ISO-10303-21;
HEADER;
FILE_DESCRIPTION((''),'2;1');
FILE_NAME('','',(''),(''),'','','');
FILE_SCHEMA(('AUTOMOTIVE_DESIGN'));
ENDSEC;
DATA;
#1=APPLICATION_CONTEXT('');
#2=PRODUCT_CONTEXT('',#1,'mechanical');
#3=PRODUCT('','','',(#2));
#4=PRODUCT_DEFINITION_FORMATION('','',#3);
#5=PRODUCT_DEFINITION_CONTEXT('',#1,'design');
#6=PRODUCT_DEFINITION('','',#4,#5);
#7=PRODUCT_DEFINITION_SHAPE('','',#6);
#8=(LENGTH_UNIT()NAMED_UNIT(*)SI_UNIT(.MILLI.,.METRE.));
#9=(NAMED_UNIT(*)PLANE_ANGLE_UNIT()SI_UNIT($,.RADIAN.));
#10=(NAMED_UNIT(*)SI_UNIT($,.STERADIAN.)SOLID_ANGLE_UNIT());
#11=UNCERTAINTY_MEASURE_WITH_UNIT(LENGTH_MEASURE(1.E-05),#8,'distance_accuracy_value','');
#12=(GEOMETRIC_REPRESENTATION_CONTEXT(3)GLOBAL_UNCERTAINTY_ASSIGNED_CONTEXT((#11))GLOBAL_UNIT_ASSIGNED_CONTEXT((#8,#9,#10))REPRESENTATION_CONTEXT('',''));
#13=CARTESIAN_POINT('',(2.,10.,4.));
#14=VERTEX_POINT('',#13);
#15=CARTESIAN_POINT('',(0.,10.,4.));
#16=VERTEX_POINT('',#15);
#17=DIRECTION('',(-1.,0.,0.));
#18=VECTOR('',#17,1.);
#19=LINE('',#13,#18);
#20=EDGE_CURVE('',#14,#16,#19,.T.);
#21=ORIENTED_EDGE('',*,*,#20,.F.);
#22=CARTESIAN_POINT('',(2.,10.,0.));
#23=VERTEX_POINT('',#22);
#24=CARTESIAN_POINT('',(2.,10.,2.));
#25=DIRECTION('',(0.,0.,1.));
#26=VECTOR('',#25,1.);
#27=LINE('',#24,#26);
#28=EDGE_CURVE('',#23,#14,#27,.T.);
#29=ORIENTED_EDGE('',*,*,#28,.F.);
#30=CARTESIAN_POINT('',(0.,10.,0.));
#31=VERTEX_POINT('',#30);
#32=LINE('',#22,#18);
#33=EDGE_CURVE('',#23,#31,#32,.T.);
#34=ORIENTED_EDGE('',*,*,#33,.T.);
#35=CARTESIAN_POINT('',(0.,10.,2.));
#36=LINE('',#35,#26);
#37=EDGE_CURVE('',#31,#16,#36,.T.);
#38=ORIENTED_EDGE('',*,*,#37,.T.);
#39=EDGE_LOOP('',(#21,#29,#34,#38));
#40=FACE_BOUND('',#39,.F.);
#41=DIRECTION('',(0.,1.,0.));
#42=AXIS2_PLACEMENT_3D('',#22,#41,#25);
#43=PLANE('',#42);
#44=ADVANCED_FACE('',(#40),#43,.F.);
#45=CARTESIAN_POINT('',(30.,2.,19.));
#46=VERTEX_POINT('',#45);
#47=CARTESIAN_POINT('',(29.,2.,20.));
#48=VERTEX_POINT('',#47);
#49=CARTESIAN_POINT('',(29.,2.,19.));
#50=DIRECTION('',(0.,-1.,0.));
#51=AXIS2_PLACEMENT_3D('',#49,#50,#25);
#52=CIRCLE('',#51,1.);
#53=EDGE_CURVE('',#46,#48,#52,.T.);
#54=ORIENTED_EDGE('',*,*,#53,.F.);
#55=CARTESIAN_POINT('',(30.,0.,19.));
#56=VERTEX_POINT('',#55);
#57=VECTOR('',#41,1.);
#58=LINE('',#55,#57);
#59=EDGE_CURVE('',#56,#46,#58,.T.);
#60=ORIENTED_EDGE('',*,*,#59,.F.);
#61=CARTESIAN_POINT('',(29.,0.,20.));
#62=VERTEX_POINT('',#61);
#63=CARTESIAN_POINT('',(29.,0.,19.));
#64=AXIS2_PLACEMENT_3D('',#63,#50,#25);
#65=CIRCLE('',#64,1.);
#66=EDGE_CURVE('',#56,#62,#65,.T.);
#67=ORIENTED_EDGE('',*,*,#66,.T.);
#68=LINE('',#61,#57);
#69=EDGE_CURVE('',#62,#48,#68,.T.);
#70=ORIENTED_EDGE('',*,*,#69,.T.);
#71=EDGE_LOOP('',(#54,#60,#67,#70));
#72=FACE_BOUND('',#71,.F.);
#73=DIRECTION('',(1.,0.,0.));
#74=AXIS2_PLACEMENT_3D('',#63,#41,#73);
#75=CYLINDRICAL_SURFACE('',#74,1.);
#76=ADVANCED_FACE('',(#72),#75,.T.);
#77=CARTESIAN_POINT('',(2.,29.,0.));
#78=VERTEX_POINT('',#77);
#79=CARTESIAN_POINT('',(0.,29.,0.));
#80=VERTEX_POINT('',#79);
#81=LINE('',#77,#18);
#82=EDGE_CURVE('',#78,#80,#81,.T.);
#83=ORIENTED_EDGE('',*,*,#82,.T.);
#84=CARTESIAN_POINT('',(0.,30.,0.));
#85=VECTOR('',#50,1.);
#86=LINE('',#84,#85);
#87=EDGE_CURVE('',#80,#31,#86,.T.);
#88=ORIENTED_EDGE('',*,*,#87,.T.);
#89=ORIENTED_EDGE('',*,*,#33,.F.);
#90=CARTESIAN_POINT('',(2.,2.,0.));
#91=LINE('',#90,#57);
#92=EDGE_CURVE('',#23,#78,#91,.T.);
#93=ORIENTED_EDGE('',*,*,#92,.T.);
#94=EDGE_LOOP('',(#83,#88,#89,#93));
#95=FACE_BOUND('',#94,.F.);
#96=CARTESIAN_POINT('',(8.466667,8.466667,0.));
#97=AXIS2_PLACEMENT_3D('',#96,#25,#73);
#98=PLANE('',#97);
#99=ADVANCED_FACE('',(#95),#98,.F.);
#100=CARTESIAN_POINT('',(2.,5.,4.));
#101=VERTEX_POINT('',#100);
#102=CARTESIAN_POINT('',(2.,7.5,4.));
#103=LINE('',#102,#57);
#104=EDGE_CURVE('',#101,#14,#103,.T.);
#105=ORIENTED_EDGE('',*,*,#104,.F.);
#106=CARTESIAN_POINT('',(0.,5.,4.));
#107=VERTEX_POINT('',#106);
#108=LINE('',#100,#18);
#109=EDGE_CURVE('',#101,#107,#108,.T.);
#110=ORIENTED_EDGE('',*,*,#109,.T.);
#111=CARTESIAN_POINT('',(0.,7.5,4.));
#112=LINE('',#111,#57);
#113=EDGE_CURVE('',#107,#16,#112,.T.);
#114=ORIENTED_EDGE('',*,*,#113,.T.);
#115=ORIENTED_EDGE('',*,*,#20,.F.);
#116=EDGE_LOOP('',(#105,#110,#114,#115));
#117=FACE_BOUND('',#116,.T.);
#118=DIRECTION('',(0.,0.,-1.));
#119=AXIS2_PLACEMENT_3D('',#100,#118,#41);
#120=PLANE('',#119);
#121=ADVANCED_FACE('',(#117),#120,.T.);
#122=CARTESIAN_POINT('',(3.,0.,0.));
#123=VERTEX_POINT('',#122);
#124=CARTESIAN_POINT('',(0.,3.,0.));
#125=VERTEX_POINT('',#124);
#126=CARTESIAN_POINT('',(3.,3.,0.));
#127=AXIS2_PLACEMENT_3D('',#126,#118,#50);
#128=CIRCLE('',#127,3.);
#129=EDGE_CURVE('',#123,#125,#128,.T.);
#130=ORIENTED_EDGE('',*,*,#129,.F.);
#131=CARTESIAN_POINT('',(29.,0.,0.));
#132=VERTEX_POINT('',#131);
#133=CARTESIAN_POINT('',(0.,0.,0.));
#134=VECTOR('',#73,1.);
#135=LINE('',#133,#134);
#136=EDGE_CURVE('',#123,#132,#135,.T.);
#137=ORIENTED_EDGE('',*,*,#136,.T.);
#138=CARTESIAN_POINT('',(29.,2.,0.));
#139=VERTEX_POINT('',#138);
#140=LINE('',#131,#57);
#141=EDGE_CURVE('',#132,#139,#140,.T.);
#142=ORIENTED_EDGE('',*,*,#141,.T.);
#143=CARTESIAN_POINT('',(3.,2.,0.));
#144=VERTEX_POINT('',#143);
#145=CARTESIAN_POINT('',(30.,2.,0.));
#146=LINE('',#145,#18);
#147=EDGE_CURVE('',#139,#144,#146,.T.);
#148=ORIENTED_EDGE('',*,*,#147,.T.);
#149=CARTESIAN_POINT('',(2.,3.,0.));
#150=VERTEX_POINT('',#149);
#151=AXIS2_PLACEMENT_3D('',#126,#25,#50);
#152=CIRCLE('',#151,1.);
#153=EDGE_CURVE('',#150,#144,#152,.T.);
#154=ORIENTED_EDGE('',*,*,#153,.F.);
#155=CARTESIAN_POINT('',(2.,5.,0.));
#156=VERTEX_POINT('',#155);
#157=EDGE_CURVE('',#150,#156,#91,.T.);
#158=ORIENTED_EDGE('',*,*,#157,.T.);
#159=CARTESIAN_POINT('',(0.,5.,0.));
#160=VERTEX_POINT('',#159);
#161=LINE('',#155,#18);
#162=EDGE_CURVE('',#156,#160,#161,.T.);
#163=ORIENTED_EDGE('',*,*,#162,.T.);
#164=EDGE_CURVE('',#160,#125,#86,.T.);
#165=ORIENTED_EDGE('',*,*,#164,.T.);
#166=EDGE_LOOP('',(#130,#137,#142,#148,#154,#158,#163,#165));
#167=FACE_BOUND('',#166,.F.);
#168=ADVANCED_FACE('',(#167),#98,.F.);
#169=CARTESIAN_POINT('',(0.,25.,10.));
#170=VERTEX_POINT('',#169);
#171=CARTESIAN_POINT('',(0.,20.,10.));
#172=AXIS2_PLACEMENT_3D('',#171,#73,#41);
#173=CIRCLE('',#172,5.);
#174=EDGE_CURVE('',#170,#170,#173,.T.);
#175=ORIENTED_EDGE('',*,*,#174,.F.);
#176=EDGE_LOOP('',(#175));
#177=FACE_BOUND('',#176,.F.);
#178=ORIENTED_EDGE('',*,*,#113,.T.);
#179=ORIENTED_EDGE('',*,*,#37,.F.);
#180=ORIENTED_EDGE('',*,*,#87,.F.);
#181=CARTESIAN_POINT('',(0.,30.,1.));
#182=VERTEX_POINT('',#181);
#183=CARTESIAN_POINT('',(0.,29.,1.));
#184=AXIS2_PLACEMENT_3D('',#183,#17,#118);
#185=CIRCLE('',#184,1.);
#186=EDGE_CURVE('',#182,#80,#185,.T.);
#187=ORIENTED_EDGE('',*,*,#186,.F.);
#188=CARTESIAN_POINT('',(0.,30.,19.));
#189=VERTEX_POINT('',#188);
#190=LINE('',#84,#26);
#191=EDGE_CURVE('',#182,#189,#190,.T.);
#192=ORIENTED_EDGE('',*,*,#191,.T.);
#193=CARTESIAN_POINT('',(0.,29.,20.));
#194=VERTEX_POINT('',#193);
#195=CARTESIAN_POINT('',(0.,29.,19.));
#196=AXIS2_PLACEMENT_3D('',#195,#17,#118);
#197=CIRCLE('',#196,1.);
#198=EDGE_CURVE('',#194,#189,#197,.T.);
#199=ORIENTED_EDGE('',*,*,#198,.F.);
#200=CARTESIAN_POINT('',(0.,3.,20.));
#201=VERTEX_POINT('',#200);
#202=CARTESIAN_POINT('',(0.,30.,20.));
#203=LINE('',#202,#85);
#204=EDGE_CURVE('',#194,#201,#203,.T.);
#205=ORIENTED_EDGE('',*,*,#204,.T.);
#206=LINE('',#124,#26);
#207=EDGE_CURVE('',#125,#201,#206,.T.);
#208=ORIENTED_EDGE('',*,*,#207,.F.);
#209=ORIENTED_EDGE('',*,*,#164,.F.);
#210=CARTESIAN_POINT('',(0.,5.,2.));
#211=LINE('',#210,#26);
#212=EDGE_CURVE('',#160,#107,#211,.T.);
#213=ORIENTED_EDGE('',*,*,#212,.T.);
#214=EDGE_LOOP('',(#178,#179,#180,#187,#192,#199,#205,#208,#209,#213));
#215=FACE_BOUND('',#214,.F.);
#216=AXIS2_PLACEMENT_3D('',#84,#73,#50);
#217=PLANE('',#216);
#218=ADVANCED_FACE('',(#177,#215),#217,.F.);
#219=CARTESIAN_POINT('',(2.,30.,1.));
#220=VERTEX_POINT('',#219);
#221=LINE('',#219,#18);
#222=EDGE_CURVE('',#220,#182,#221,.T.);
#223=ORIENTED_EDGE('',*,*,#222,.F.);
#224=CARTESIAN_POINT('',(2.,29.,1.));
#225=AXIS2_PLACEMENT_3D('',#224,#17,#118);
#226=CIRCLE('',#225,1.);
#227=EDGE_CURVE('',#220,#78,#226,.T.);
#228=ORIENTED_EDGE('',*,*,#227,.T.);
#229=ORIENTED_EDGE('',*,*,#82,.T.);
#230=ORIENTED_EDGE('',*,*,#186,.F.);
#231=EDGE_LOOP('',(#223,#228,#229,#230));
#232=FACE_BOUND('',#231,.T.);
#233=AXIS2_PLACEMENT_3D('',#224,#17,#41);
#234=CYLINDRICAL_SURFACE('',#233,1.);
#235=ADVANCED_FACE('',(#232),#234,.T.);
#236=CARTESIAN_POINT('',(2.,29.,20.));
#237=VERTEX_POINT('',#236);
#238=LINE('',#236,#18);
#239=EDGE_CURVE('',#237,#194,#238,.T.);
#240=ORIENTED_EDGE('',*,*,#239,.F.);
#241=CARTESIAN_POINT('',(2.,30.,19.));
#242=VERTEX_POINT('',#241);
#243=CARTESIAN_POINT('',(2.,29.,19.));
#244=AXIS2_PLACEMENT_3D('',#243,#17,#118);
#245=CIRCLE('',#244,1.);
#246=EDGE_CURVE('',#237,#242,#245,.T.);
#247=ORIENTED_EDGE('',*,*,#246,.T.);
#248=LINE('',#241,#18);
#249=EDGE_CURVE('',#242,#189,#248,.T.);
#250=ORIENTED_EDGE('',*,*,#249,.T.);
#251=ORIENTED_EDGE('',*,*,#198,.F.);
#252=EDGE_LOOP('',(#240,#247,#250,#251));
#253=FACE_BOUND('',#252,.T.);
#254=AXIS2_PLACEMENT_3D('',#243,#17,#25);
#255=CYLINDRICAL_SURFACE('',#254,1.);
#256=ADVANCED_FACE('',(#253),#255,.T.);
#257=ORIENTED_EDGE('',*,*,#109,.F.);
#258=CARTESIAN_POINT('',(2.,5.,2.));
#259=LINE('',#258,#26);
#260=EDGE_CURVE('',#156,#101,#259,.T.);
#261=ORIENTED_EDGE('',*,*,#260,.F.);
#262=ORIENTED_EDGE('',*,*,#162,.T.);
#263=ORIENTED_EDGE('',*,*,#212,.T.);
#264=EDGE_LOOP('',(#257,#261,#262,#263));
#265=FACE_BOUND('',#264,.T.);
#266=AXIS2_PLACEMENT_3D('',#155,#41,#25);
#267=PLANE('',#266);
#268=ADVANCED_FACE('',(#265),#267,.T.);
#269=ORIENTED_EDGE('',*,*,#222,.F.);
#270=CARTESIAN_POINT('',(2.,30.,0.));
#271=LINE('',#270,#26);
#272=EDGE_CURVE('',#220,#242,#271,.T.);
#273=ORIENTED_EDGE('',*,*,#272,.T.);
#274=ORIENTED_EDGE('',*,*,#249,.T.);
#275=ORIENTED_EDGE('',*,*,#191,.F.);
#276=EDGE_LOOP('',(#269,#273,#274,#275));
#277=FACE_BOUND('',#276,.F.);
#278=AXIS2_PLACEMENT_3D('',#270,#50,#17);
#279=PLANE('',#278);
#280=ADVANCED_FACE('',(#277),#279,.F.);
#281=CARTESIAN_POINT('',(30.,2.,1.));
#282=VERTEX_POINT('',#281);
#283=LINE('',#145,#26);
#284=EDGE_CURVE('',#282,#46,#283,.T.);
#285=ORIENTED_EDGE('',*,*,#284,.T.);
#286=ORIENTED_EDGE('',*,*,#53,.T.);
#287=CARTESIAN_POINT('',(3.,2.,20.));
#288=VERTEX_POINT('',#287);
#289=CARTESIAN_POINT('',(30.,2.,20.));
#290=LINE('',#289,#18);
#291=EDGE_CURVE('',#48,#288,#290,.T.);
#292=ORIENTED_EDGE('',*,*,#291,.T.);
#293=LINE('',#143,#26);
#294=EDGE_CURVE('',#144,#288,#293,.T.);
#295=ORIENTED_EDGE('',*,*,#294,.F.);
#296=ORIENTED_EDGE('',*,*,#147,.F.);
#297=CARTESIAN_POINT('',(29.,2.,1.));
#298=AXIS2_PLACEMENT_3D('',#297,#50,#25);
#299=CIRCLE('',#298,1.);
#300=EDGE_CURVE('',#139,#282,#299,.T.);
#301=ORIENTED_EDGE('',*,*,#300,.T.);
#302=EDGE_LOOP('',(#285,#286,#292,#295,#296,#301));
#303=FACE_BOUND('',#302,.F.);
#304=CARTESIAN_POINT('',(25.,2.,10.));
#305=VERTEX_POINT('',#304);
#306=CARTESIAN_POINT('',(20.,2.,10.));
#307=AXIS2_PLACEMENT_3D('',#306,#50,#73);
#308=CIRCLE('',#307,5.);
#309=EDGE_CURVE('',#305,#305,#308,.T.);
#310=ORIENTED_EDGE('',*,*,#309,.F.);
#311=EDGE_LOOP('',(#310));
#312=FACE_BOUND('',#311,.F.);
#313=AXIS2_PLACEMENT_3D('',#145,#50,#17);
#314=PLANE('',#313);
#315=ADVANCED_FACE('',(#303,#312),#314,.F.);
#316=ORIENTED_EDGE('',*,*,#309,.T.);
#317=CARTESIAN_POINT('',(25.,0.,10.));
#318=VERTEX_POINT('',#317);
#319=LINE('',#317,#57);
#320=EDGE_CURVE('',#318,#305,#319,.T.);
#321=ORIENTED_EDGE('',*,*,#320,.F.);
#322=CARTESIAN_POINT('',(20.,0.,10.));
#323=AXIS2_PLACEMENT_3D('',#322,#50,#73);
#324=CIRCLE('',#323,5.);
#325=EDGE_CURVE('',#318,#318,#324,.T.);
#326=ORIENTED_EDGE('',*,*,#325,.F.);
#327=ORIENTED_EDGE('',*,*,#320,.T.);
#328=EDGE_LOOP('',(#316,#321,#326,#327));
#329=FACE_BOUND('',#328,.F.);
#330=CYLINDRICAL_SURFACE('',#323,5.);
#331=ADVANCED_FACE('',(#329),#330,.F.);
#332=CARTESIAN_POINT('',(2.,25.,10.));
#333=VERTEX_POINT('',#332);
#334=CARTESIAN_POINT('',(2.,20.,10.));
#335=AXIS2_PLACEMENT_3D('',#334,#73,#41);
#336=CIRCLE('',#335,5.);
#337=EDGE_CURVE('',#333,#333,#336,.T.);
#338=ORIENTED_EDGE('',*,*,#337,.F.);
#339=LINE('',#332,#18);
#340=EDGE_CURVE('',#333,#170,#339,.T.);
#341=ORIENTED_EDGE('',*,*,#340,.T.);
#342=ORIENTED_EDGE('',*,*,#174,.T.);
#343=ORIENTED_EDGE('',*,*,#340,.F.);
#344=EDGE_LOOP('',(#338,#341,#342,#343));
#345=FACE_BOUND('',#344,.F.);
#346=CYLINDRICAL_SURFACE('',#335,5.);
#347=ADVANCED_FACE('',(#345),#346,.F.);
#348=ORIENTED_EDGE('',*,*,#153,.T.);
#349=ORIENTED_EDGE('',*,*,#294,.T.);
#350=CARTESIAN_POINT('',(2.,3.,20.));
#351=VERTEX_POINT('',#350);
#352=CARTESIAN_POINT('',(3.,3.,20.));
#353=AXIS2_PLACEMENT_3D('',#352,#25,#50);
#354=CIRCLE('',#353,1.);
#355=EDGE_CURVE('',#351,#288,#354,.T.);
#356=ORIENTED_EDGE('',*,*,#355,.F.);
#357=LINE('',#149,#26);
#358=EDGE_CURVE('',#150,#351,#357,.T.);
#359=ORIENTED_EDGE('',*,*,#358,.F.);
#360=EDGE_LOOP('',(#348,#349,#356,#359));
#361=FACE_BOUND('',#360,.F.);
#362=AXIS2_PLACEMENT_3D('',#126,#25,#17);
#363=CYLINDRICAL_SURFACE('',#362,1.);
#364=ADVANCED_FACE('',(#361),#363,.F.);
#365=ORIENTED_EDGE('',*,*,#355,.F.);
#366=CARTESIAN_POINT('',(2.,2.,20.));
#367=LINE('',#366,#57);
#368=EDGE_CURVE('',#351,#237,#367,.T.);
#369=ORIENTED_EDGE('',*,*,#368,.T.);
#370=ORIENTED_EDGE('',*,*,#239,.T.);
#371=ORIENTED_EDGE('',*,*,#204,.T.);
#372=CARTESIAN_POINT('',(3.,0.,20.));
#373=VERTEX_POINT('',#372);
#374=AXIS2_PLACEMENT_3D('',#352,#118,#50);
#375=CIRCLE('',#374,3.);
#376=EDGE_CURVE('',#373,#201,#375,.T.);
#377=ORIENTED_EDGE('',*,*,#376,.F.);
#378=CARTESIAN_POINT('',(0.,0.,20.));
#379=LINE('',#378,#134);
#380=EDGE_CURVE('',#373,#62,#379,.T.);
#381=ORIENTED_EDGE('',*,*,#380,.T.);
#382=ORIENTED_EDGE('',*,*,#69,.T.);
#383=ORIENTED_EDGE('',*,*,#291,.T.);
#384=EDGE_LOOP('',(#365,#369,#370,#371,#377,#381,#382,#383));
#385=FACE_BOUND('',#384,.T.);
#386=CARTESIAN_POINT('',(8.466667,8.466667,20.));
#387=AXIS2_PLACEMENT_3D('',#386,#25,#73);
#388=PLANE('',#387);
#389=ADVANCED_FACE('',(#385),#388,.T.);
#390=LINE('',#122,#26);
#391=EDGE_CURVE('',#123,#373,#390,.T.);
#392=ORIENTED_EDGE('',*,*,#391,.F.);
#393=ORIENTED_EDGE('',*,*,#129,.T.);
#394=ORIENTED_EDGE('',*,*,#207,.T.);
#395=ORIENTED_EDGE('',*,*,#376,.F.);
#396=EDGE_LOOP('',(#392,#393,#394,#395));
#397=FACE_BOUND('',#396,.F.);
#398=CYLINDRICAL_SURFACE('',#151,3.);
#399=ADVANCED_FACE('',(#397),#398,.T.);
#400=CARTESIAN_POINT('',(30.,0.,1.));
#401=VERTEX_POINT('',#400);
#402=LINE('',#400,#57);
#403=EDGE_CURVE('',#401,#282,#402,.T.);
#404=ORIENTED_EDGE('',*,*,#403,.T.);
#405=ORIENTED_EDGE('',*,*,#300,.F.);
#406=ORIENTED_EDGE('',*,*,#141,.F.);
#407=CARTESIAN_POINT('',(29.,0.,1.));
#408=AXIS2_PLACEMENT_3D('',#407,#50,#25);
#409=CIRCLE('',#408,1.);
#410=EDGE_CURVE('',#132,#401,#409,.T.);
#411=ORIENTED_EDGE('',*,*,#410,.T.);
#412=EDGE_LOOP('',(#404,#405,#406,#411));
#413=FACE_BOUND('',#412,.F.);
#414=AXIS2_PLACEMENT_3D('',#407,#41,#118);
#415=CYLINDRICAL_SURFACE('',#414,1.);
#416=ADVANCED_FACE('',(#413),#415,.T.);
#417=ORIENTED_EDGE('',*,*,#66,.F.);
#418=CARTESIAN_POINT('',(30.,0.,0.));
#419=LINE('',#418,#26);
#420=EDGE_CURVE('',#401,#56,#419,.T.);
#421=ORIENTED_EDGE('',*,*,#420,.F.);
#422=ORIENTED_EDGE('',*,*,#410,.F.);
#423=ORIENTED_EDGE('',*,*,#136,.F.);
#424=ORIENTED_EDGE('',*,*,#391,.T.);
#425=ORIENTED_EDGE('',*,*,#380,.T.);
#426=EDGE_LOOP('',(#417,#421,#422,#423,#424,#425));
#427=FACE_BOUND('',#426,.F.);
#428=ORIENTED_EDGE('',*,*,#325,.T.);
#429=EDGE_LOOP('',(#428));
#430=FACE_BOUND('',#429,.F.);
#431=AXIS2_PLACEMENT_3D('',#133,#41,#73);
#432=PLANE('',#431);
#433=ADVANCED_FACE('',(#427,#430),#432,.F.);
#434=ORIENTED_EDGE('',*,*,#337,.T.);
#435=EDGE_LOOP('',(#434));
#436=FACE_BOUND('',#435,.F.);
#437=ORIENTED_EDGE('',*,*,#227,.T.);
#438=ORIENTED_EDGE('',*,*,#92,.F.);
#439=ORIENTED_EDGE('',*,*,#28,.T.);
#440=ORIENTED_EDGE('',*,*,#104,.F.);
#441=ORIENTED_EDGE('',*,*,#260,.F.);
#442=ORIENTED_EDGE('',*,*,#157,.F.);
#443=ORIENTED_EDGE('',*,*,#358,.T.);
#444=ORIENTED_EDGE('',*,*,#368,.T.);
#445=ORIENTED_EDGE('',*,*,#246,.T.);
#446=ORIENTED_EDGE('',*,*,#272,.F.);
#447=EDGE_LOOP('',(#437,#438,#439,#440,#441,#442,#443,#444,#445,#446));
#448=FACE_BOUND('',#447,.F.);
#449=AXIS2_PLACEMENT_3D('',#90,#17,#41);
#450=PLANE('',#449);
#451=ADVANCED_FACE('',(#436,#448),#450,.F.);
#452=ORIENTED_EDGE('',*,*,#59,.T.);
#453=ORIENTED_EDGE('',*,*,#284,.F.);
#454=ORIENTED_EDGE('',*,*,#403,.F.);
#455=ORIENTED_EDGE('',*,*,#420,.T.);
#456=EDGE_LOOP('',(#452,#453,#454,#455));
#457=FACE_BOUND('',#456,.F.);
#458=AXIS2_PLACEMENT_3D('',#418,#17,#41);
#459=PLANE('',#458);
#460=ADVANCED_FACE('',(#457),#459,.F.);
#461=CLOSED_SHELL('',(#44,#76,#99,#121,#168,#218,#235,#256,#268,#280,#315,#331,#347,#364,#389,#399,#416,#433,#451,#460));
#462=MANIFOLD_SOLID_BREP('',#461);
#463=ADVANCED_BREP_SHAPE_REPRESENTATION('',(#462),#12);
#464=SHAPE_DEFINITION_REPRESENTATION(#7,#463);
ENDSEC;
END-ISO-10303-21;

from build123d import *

# Parameters (mm, degrees)
F1_DEPTH = 20
F2_R     = 5
F4_DEPTH = 2
F3_R     = 5
F5_DEPTH = 2
F6_W     = 5
F6_H     = 4
F7_DEPTH = 2
F8_R     = 3
F9_R     = 1


with BuildPart() as f1:
    # F0 (on Top) → F1 (new body)
    with BuildSketch(Plane.XY):
        Polygon((0, 0), (30, 0), (30, 2), (2, 2), (2, 30), (0, 30), align=None)
    extrude(amount=F1_DEPTH)

    # F2 (on face) → F4 (cut, through all)
    with BuildSketch(Plane.XZ):
        with Locations((20, 10)):
            Circle(F2_R)
    extrude(amount=-F4_DEPTH, mode=Mode.SUBTRACT)

    # F3 (on face) → F5 (cut, through all)
    with BuildSketch(Plane.YZ.offset(2)):
        with Locations((20, 10)):
            Circle(F3_R)
    extrude(amount=-F5_DEPTH, mode=Mode.SUBTRACT)

    # F6 (on face) → F7 (cut, through all)
    with BuildSketch(Plane.YZ.offset(2)):
        with Locations((7.5, 2)):
            Rectangle(F6_W, F6_H)
    extrude(amount=-F7_DEPTH, mode=Mode.SUBTRACT)

    # F8
    f8_edges = [f1.edges().sort_by_distance(p)[0] for p in [
        (0, 0, 10),
    ]]
    fillet(f8_edges, radius=F8_R)

    # F9
    f9_edges = [f1.edges().sort_by_distance(p)[0] for p in [
        (2, 2, 10),
        (30, 1, 0),
        (30, 1, 20),
        (1, 30, 0),
        (1, 30, 20),
    ]]
    fillet(f9_edges, radius=F9_R)


solid = f1.part
